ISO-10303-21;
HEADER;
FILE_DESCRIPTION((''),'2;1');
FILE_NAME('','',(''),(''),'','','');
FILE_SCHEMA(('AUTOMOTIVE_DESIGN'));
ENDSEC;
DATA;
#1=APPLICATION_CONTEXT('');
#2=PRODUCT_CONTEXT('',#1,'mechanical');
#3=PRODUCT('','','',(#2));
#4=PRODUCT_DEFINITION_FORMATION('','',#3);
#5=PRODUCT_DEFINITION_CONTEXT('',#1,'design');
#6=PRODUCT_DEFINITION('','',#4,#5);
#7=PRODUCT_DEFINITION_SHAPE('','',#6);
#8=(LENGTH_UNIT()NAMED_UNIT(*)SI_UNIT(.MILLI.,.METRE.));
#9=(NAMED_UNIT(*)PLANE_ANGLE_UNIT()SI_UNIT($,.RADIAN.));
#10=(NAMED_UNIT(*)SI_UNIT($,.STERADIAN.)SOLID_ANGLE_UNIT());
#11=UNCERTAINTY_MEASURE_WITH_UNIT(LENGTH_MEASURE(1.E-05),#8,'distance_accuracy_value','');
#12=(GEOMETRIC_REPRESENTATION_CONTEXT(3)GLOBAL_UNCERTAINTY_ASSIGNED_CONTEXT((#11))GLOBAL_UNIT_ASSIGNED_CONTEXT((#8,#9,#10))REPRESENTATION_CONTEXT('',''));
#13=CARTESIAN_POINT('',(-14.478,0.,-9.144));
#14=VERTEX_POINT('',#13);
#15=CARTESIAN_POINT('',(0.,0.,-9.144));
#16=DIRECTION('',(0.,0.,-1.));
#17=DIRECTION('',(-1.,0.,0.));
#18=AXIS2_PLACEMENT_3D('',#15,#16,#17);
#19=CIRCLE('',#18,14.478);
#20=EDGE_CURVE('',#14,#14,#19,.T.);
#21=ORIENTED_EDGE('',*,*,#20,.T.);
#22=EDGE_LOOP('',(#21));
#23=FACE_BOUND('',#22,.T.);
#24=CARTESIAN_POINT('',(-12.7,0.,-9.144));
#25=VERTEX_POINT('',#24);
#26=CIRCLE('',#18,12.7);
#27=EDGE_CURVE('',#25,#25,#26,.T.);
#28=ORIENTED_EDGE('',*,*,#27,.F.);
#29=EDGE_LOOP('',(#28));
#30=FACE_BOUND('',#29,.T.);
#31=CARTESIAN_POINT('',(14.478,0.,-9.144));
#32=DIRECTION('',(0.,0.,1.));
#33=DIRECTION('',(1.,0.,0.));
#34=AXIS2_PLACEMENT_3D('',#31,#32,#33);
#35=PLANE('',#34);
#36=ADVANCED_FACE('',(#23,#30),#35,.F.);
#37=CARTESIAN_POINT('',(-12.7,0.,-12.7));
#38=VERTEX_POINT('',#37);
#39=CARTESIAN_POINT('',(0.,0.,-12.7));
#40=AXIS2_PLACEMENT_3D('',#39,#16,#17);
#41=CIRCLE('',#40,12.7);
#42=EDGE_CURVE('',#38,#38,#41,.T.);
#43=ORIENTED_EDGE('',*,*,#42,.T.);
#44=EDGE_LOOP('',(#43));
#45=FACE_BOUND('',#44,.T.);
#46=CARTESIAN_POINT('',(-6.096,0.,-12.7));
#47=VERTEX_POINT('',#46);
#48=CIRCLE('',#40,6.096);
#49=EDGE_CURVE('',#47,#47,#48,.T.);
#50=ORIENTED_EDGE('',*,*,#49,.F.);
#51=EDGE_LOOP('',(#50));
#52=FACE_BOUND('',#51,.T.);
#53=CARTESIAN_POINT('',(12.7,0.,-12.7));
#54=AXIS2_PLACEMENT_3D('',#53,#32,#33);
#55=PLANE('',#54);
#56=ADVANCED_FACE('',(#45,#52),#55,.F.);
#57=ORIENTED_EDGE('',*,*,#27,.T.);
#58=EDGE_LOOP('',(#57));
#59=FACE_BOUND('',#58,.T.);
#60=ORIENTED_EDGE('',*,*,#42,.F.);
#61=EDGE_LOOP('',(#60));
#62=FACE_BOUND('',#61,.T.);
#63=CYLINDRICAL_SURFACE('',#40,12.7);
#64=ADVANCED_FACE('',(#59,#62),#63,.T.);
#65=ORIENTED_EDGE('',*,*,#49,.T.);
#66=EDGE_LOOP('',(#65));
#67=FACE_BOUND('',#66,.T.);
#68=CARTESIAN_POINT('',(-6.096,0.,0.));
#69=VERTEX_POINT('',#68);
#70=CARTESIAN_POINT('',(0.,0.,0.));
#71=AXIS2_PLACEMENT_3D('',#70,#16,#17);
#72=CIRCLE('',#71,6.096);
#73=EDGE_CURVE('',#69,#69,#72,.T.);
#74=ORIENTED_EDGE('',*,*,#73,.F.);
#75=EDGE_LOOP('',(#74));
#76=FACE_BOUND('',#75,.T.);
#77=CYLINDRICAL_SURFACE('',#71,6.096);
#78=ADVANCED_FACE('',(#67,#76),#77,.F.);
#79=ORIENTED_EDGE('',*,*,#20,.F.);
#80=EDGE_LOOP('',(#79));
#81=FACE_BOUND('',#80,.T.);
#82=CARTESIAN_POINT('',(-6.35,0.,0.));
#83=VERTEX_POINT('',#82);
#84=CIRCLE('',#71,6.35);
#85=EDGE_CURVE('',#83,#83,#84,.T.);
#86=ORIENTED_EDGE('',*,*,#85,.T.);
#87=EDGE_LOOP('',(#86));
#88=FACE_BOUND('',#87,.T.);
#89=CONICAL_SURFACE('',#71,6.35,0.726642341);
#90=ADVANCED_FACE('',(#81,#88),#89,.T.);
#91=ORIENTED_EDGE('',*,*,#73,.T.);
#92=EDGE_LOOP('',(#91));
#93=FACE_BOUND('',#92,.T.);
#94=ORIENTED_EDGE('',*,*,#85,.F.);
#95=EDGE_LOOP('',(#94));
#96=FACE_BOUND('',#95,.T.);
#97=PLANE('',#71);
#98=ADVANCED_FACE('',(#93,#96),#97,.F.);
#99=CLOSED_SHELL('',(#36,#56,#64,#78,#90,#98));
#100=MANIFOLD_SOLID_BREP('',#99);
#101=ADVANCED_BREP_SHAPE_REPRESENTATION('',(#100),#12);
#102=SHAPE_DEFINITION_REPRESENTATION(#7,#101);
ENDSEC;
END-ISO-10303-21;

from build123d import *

# Parameters (mm, degrees)
SKETCH2_R          = 6.096
CUT_EXTRUDE1_DEPTH = 12.7


with BuildPart() as part:
    # Sketch1 → Revolve1 (revolve)
    with BuildSketch(Plane(origin=(0, 0, 0), x_dir=(1, 0, 0), z_dir=(0, 1, 0)), mode=Mode.PRIVATE) as revolve1_sk:
        Polygon((0, 0), (6.35, 0), (14.478, 9.144), (12.7, 9.144), (12.7, 12.7), (0, 12.7), align=None)
    revolve(revolve1_sk.sketch.rotate(Axis((0, 0, -12.7), (0, 0, 1)), 180), axis=Axis((0, 0, -12.7), (0, 0, 1)))

    # Sketch2 → Cut-Extrude1 (cut)
    with BuildSketch(Plane(origin=(0, 0, -12.7), x_dir=(-1, 0, 0), z_dir=(0, 0, -1))):
        Circle(SKETCH2_R)
    extrude(amount=-CUT_EXTRUDE1_DEPTH, mode=Mode.SUBTRACT)


solid = part.part
